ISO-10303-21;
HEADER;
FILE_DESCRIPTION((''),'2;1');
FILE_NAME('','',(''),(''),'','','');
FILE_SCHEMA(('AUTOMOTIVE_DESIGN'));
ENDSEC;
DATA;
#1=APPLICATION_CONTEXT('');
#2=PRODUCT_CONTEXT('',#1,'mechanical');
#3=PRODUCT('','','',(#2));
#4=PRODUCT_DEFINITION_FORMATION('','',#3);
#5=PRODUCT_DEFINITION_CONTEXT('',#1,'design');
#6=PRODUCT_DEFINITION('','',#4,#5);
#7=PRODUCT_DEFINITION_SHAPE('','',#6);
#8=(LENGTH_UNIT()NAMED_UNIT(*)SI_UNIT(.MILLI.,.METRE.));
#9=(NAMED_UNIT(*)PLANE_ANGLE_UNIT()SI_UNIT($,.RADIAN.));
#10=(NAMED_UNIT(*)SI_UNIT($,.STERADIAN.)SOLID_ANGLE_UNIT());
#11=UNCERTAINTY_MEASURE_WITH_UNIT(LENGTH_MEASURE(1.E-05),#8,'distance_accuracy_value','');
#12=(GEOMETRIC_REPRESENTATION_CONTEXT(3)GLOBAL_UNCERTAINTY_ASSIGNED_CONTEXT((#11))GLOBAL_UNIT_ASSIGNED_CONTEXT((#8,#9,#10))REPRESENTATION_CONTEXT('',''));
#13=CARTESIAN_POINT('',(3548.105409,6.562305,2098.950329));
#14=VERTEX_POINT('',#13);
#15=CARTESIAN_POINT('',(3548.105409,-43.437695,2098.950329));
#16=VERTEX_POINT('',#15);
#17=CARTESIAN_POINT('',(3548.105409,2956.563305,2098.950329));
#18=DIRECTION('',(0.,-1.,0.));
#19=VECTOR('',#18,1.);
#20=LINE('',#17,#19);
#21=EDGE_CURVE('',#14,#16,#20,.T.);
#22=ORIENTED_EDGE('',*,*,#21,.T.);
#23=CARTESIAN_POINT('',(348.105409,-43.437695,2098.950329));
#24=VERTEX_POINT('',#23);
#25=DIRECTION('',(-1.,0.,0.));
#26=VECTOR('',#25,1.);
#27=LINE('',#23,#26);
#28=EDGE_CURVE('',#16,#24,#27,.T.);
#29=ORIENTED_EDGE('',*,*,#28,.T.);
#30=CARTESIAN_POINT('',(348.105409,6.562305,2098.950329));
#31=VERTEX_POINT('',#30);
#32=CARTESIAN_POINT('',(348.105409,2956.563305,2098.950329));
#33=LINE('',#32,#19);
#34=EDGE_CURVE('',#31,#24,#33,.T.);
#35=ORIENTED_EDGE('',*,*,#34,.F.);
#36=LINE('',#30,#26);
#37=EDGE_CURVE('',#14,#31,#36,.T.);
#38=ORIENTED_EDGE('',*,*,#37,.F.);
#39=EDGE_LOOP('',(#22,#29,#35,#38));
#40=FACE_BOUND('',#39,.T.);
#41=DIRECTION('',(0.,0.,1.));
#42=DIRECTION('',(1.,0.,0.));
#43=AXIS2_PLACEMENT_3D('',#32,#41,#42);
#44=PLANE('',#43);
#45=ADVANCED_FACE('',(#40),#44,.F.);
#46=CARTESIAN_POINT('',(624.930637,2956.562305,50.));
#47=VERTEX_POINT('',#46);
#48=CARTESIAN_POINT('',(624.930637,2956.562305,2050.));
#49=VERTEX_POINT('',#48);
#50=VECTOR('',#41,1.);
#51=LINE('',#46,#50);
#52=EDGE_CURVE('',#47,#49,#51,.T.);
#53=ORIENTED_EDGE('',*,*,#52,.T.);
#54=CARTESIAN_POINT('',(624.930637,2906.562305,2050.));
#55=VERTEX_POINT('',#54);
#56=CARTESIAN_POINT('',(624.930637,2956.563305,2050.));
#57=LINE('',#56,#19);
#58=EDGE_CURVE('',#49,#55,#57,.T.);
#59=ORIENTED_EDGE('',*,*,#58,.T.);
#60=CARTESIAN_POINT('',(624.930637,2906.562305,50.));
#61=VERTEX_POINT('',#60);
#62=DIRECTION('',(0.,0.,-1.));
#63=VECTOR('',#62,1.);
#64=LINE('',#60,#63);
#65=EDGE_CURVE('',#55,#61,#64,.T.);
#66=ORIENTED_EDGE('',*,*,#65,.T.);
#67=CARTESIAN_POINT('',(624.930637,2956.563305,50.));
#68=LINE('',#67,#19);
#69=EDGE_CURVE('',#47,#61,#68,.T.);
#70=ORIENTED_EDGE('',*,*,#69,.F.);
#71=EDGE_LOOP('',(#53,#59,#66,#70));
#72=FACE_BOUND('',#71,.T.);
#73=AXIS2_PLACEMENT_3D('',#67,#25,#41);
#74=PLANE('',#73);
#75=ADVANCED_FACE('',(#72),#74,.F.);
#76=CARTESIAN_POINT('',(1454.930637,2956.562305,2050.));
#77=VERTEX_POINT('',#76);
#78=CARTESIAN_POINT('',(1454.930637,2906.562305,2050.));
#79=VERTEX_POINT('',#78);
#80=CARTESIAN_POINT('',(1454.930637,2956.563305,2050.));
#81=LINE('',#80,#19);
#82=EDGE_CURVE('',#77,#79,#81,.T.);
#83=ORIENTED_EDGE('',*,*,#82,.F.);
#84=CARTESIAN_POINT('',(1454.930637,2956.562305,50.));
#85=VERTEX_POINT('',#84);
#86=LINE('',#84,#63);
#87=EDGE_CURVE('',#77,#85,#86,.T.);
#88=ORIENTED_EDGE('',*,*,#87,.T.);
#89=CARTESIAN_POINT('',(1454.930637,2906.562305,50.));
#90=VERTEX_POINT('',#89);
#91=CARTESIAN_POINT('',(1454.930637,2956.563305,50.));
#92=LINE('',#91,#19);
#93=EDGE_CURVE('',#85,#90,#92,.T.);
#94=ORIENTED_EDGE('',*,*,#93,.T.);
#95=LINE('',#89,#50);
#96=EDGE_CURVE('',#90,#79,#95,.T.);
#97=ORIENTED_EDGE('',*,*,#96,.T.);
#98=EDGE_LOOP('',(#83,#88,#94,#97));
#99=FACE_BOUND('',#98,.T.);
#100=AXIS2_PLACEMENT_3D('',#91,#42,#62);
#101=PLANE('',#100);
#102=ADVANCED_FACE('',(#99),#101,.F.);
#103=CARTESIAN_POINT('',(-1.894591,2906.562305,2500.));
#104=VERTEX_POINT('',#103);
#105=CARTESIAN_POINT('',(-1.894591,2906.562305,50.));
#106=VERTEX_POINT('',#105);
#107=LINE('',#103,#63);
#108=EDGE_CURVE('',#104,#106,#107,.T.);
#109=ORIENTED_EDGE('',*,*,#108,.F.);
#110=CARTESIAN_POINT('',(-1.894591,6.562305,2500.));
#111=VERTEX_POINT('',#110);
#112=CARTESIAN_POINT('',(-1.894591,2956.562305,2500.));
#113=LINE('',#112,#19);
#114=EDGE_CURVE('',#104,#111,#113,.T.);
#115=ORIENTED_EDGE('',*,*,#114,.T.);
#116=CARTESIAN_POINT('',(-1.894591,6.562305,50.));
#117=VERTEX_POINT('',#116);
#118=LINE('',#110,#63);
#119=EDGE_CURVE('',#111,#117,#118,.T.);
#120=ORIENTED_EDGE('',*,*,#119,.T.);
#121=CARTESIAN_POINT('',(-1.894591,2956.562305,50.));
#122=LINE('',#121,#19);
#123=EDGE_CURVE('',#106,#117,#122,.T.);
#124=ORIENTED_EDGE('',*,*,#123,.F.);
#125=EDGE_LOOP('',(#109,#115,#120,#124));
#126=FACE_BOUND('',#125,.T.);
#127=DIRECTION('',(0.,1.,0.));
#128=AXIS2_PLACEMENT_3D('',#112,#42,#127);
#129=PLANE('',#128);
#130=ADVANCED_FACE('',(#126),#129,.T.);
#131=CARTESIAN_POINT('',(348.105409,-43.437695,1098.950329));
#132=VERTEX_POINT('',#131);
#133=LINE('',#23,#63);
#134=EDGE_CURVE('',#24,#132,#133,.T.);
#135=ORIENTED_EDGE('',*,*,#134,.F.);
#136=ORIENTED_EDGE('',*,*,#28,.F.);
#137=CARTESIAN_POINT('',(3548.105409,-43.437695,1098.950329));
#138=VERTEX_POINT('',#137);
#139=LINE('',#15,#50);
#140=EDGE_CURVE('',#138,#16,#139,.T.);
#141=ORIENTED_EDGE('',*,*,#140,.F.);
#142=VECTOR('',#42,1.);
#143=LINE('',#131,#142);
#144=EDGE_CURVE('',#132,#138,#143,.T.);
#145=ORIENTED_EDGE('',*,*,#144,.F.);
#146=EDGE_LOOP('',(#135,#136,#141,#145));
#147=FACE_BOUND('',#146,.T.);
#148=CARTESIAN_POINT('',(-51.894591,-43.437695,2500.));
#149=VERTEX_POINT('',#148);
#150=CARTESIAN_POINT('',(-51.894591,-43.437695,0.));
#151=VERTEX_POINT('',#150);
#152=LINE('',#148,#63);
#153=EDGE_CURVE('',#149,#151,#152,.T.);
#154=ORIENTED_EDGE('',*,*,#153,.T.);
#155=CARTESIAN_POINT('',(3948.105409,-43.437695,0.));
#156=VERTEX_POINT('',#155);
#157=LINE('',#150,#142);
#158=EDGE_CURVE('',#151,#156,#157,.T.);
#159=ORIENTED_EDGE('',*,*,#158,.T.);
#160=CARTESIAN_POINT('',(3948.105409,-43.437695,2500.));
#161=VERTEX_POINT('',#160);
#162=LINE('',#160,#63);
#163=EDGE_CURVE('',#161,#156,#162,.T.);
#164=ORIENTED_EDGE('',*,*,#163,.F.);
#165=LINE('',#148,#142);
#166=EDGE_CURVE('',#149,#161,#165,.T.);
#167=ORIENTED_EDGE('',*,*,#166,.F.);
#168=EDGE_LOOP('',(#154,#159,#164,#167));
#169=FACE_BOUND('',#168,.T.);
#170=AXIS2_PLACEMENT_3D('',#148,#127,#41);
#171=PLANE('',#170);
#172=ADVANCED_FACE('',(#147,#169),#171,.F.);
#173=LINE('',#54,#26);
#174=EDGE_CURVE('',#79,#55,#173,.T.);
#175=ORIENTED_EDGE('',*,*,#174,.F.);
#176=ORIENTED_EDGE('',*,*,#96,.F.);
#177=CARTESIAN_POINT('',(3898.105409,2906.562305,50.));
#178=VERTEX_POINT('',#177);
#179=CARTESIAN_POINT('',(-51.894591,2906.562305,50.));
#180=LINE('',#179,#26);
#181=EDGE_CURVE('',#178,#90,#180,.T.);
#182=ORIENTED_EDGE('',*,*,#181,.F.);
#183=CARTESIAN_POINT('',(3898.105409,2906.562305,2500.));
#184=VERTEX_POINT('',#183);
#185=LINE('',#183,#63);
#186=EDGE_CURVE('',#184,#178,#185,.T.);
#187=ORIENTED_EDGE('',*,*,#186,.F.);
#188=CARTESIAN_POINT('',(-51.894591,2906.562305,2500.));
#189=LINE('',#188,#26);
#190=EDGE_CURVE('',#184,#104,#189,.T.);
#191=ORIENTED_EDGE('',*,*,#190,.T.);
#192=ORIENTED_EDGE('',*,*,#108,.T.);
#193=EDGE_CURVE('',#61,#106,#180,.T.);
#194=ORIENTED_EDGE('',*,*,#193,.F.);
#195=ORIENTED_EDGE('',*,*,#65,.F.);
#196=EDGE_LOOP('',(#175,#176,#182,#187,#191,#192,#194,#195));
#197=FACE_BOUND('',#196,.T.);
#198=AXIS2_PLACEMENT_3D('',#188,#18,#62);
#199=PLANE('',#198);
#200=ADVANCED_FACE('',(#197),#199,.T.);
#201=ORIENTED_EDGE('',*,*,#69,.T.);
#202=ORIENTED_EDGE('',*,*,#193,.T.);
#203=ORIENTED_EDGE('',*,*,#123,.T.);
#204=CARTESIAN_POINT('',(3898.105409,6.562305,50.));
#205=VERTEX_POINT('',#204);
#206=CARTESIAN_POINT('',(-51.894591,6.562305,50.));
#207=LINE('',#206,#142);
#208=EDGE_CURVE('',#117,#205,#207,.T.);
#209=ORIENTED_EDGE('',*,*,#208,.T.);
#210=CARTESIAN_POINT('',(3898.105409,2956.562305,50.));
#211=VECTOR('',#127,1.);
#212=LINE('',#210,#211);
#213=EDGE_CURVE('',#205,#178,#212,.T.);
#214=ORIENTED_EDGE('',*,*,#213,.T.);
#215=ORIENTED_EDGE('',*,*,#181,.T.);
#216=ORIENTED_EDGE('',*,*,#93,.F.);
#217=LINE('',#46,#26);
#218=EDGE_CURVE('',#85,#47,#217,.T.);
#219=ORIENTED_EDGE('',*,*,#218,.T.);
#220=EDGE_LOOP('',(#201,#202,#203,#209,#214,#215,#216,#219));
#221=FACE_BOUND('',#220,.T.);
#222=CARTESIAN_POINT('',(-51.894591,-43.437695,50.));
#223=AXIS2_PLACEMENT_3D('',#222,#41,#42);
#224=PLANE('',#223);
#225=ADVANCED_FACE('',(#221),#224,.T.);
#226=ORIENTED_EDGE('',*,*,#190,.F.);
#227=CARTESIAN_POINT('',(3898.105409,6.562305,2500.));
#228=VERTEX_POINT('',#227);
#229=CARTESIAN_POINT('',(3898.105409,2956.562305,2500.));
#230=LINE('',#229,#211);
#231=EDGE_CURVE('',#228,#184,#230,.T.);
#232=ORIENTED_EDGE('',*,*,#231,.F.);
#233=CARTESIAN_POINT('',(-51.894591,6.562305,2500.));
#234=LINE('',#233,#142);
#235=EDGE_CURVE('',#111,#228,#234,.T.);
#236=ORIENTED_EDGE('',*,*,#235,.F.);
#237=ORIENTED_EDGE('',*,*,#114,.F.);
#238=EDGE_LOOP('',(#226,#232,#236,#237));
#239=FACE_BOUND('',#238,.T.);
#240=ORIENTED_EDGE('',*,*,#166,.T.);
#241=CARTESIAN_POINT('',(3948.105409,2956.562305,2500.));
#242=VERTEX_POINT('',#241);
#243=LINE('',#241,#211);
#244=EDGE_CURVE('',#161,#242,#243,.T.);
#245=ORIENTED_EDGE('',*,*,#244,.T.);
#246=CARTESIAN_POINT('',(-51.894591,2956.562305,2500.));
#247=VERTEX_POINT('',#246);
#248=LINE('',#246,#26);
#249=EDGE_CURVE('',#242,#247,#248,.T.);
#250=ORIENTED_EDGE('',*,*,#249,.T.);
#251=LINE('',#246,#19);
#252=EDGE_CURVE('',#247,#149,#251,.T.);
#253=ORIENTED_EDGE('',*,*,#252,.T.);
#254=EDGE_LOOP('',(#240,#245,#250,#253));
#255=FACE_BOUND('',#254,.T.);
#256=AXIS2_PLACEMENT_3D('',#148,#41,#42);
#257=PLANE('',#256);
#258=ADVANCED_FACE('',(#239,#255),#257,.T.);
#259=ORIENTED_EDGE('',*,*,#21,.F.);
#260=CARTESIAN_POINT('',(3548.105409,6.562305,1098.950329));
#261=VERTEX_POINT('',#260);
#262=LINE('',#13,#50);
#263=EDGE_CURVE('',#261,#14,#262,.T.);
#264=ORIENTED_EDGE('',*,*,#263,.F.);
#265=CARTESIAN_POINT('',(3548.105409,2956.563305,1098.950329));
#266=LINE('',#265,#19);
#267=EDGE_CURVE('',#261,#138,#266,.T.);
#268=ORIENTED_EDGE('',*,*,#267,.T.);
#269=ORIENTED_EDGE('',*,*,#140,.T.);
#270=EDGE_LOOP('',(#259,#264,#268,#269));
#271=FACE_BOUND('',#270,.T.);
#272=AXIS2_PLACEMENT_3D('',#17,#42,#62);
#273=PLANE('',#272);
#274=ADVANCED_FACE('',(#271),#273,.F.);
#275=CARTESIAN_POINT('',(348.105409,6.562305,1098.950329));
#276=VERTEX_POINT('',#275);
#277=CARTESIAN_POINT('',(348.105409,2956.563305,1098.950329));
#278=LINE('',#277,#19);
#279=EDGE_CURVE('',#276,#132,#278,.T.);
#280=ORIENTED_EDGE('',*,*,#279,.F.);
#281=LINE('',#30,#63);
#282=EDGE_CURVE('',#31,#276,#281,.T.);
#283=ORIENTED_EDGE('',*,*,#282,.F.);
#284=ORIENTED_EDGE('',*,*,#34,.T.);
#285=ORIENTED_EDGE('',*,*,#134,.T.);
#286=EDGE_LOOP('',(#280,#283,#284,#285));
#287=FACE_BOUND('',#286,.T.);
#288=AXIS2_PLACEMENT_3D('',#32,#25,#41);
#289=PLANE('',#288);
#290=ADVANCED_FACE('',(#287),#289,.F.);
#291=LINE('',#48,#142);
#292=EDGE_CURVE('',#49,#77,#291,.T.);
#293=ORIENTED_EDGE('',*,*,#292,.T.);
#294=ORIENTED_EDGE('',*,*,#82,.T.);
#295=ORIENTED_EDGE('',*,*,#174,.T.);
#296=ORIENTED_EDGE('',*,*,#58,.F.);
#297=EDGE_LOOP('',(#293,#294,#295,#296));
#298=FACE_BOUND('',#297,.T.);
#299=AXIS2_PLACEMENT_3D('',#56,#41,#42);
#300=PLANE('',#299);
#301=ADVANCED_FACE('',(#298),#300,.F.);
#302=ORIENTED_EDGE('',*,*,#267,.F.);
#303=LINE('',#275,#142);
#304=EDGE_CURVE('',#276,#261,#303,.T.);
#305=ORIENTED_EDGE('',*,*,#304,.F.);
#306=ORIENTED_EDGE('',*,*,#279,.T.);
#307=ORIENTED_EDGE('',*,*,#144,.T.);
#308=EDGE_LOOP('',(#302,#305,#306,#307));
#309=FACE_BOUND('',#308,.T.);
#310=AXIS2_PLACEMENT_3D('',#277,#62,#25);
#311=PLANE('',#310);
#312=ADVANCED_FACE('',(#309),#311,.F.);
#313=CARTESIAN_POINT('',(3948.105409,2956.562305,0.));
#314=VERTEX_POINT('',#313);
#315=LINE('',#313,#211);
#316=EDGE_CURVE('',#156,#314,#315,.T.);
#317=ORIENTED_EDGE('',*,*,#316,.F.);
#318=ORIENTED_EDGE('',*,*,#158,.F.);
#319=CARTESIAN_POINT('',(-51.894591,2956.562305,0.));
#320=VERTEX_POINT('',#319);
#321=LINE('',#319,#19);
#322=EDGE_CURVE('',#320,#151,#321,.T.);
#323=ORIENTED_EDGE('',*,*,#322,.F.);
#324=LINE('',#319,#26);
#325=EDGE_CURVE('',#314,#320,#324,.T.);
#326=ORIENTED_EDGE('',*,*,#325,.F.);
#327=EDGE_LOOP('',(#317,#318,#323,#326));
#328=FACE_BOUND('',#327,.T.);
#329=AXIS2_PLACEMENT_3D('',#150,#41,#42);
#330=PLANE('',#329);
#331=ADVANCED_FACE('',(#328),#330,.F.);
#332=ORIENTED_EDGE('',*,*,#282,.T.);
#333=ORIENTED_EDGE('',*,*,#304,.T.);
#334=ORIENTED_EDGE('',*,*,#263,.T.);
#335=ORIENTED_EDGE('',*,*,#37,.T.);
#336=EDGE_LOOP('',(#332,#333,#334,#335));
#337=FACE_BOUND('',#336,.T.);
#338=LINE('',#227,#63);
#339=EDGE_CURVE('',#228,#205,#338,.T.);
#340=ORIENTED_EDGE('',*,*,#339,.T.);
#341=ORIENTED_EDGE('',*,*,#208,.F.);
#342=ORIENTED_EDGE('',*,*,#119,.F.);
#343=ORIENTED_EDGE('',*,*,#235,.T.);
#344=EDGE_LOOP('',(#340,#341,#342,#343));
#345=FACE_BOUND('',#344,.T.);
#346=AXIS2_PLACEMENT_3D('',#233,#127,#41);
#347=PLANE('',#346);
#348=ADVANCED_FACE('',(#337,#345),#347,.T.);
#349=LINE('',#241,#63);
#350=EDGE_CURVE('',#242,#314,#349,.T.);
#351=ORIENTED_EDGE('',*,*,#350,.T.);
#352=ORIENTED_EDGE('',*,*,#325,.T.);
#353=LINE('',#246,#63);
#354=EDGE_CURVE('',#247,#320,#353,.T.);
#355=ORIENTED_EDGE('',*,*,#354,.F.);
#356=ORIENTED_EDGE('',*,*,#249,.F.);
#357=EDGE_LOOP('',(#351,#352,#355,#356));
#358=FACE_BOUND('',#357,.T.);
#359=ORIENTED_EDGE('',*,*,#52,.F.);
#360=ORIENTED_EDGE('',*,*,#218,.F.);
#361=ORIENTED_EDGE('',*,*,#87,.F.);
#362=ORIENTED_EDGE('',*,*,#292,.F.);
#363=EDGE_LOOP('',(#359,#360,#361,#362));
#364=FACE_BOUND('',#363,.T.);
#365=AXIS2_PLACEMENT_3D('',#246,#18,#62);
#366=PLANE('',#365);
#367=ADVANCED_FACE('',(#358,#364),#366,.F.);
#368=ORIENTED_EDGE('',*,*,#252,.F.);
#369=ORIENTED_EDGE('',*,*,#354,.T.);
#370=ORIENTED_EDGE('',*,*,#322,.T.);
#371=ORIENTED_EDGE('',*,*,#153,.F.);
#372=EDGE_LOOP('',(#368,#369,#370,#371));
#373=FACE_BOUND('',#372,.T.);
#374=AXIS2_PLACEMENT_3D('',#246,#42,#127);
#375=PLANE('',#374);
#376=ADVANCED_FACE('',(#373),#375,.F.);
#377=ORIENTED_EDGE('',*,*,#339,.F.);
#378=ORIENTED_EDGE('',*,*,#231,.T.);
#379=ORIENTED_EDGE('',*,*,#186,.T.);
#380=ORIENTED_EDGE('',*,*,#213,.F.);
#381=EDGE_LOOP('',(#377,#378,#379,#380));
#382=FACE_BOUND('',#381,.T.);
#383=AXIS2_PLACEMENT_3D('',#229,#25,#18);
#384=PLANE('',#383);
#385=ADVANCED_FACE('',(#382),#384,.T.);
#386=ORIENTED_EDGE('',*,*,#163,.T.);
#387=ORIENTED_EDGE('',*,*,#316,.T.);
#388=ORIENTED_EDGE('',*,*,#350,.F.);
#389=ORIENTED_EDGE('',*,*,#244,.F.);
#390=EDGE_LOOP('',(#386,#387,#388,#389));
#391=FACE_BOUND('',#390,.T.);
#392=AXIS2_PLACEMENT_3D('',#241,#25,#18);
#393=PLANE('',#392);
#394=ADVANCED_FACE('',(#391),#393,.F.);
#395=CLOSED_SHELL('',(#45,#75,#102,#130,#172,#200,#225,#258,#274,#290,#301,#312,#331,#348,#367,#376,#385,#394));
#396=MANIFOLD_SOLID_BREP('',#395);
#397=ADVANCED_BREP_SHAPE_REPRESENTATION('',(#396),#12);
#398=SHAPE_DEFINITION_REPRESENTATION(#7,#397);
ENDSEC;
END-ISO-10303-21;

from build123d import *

# Parameters (mm, degrees)
ESQUISSE1_W             = 4000
ESQUISSE1_H             = 3000
BOSS_EXTRU_1_DEPTH      = 2500
COQUE1_T                = -50
ENL_V_MAT_EXTRU_1_REACH = 3002
ESQUISSE2_W             = 3200
ESQUISSE2_H             = 1000
ENL_V_MAT_EXTRU_2_REACH = 52
ESQUISSE3_W             = 830
ESQUISSE3_H             = 2000


with BuildPart() as part:
    # Esquisse1 → Boss.-Extru.1 (new body)
    with BuildSketch(Plane.XY):
        with Locations((1948.10540889, 1456.562305219)):
            Rectangle(ESQUISSE1_W, ESQUISSE1_H)
    extrude(amount=BOSS_EXTRU_1_DEPTH)

    # Coque1
    coque1_openings = [part.faces().sort_by_distance(p)[0] for p in [
        (1948.10540889, 1456.562305219, 2500),
    ]]
    offset(amount=COQUE1_T, openings=coque1_openings, kind=Kind.INTERSECTION)

    # Esquisse2 → Enlèv. mat.-Extru.1 (cut, up to next)
    with BuildSketch(Plane.XZ.offset(43.437694781), mode=Mode.PRIVATE) as enl_v_mat_extru_1_sk1:
        with Locations((1948.10540889, 1598.950328811)):
            Rectangle(ESQUISSE2_W, ESQUISSE2_H)
    enl_v_mat_extru_1_tool1 = extrude(enl_v_mat_extru_1_sk1.sketch, amount=-ENL_V_MAT_EXTRU_1_REACH, mode=Mode.PRIVATE) & part.part
    add(enl_v_mat_extru_1_tool1.solids().sort_by_distance((1948.105409, -43.437695, 1598.950329))[0], mode=Mode.SUBTRACT)

    # Esquisse3 → Enlèv. mat.-Extru.2 (cut, up to next)
    with BuildSketch(Plane.XZ.offset(-2906.562305219), mode=Mode.PRIVATE) as enl_v_mat_extru_2_sk1:
        with Locations((1039.930637484, 1050)):
            Rectangle(ESQUISSE3_W, ESQUISSE3_H)
    enl_v_mat_extru_2_tool1 = extrude(enl_v_mat_extru_2_sk1.sketch, amount=-ENL_V_MAT_EXTRU_2_REACH, mode=Mode.PRIVATE) & part.part
    add(enl_v_mat_extru_2_tool1.solids().sort_by_distance((1039.930637, 2906.562305, 1050))[0], mode=Mode.SUBTRACT)


solid = part.part
